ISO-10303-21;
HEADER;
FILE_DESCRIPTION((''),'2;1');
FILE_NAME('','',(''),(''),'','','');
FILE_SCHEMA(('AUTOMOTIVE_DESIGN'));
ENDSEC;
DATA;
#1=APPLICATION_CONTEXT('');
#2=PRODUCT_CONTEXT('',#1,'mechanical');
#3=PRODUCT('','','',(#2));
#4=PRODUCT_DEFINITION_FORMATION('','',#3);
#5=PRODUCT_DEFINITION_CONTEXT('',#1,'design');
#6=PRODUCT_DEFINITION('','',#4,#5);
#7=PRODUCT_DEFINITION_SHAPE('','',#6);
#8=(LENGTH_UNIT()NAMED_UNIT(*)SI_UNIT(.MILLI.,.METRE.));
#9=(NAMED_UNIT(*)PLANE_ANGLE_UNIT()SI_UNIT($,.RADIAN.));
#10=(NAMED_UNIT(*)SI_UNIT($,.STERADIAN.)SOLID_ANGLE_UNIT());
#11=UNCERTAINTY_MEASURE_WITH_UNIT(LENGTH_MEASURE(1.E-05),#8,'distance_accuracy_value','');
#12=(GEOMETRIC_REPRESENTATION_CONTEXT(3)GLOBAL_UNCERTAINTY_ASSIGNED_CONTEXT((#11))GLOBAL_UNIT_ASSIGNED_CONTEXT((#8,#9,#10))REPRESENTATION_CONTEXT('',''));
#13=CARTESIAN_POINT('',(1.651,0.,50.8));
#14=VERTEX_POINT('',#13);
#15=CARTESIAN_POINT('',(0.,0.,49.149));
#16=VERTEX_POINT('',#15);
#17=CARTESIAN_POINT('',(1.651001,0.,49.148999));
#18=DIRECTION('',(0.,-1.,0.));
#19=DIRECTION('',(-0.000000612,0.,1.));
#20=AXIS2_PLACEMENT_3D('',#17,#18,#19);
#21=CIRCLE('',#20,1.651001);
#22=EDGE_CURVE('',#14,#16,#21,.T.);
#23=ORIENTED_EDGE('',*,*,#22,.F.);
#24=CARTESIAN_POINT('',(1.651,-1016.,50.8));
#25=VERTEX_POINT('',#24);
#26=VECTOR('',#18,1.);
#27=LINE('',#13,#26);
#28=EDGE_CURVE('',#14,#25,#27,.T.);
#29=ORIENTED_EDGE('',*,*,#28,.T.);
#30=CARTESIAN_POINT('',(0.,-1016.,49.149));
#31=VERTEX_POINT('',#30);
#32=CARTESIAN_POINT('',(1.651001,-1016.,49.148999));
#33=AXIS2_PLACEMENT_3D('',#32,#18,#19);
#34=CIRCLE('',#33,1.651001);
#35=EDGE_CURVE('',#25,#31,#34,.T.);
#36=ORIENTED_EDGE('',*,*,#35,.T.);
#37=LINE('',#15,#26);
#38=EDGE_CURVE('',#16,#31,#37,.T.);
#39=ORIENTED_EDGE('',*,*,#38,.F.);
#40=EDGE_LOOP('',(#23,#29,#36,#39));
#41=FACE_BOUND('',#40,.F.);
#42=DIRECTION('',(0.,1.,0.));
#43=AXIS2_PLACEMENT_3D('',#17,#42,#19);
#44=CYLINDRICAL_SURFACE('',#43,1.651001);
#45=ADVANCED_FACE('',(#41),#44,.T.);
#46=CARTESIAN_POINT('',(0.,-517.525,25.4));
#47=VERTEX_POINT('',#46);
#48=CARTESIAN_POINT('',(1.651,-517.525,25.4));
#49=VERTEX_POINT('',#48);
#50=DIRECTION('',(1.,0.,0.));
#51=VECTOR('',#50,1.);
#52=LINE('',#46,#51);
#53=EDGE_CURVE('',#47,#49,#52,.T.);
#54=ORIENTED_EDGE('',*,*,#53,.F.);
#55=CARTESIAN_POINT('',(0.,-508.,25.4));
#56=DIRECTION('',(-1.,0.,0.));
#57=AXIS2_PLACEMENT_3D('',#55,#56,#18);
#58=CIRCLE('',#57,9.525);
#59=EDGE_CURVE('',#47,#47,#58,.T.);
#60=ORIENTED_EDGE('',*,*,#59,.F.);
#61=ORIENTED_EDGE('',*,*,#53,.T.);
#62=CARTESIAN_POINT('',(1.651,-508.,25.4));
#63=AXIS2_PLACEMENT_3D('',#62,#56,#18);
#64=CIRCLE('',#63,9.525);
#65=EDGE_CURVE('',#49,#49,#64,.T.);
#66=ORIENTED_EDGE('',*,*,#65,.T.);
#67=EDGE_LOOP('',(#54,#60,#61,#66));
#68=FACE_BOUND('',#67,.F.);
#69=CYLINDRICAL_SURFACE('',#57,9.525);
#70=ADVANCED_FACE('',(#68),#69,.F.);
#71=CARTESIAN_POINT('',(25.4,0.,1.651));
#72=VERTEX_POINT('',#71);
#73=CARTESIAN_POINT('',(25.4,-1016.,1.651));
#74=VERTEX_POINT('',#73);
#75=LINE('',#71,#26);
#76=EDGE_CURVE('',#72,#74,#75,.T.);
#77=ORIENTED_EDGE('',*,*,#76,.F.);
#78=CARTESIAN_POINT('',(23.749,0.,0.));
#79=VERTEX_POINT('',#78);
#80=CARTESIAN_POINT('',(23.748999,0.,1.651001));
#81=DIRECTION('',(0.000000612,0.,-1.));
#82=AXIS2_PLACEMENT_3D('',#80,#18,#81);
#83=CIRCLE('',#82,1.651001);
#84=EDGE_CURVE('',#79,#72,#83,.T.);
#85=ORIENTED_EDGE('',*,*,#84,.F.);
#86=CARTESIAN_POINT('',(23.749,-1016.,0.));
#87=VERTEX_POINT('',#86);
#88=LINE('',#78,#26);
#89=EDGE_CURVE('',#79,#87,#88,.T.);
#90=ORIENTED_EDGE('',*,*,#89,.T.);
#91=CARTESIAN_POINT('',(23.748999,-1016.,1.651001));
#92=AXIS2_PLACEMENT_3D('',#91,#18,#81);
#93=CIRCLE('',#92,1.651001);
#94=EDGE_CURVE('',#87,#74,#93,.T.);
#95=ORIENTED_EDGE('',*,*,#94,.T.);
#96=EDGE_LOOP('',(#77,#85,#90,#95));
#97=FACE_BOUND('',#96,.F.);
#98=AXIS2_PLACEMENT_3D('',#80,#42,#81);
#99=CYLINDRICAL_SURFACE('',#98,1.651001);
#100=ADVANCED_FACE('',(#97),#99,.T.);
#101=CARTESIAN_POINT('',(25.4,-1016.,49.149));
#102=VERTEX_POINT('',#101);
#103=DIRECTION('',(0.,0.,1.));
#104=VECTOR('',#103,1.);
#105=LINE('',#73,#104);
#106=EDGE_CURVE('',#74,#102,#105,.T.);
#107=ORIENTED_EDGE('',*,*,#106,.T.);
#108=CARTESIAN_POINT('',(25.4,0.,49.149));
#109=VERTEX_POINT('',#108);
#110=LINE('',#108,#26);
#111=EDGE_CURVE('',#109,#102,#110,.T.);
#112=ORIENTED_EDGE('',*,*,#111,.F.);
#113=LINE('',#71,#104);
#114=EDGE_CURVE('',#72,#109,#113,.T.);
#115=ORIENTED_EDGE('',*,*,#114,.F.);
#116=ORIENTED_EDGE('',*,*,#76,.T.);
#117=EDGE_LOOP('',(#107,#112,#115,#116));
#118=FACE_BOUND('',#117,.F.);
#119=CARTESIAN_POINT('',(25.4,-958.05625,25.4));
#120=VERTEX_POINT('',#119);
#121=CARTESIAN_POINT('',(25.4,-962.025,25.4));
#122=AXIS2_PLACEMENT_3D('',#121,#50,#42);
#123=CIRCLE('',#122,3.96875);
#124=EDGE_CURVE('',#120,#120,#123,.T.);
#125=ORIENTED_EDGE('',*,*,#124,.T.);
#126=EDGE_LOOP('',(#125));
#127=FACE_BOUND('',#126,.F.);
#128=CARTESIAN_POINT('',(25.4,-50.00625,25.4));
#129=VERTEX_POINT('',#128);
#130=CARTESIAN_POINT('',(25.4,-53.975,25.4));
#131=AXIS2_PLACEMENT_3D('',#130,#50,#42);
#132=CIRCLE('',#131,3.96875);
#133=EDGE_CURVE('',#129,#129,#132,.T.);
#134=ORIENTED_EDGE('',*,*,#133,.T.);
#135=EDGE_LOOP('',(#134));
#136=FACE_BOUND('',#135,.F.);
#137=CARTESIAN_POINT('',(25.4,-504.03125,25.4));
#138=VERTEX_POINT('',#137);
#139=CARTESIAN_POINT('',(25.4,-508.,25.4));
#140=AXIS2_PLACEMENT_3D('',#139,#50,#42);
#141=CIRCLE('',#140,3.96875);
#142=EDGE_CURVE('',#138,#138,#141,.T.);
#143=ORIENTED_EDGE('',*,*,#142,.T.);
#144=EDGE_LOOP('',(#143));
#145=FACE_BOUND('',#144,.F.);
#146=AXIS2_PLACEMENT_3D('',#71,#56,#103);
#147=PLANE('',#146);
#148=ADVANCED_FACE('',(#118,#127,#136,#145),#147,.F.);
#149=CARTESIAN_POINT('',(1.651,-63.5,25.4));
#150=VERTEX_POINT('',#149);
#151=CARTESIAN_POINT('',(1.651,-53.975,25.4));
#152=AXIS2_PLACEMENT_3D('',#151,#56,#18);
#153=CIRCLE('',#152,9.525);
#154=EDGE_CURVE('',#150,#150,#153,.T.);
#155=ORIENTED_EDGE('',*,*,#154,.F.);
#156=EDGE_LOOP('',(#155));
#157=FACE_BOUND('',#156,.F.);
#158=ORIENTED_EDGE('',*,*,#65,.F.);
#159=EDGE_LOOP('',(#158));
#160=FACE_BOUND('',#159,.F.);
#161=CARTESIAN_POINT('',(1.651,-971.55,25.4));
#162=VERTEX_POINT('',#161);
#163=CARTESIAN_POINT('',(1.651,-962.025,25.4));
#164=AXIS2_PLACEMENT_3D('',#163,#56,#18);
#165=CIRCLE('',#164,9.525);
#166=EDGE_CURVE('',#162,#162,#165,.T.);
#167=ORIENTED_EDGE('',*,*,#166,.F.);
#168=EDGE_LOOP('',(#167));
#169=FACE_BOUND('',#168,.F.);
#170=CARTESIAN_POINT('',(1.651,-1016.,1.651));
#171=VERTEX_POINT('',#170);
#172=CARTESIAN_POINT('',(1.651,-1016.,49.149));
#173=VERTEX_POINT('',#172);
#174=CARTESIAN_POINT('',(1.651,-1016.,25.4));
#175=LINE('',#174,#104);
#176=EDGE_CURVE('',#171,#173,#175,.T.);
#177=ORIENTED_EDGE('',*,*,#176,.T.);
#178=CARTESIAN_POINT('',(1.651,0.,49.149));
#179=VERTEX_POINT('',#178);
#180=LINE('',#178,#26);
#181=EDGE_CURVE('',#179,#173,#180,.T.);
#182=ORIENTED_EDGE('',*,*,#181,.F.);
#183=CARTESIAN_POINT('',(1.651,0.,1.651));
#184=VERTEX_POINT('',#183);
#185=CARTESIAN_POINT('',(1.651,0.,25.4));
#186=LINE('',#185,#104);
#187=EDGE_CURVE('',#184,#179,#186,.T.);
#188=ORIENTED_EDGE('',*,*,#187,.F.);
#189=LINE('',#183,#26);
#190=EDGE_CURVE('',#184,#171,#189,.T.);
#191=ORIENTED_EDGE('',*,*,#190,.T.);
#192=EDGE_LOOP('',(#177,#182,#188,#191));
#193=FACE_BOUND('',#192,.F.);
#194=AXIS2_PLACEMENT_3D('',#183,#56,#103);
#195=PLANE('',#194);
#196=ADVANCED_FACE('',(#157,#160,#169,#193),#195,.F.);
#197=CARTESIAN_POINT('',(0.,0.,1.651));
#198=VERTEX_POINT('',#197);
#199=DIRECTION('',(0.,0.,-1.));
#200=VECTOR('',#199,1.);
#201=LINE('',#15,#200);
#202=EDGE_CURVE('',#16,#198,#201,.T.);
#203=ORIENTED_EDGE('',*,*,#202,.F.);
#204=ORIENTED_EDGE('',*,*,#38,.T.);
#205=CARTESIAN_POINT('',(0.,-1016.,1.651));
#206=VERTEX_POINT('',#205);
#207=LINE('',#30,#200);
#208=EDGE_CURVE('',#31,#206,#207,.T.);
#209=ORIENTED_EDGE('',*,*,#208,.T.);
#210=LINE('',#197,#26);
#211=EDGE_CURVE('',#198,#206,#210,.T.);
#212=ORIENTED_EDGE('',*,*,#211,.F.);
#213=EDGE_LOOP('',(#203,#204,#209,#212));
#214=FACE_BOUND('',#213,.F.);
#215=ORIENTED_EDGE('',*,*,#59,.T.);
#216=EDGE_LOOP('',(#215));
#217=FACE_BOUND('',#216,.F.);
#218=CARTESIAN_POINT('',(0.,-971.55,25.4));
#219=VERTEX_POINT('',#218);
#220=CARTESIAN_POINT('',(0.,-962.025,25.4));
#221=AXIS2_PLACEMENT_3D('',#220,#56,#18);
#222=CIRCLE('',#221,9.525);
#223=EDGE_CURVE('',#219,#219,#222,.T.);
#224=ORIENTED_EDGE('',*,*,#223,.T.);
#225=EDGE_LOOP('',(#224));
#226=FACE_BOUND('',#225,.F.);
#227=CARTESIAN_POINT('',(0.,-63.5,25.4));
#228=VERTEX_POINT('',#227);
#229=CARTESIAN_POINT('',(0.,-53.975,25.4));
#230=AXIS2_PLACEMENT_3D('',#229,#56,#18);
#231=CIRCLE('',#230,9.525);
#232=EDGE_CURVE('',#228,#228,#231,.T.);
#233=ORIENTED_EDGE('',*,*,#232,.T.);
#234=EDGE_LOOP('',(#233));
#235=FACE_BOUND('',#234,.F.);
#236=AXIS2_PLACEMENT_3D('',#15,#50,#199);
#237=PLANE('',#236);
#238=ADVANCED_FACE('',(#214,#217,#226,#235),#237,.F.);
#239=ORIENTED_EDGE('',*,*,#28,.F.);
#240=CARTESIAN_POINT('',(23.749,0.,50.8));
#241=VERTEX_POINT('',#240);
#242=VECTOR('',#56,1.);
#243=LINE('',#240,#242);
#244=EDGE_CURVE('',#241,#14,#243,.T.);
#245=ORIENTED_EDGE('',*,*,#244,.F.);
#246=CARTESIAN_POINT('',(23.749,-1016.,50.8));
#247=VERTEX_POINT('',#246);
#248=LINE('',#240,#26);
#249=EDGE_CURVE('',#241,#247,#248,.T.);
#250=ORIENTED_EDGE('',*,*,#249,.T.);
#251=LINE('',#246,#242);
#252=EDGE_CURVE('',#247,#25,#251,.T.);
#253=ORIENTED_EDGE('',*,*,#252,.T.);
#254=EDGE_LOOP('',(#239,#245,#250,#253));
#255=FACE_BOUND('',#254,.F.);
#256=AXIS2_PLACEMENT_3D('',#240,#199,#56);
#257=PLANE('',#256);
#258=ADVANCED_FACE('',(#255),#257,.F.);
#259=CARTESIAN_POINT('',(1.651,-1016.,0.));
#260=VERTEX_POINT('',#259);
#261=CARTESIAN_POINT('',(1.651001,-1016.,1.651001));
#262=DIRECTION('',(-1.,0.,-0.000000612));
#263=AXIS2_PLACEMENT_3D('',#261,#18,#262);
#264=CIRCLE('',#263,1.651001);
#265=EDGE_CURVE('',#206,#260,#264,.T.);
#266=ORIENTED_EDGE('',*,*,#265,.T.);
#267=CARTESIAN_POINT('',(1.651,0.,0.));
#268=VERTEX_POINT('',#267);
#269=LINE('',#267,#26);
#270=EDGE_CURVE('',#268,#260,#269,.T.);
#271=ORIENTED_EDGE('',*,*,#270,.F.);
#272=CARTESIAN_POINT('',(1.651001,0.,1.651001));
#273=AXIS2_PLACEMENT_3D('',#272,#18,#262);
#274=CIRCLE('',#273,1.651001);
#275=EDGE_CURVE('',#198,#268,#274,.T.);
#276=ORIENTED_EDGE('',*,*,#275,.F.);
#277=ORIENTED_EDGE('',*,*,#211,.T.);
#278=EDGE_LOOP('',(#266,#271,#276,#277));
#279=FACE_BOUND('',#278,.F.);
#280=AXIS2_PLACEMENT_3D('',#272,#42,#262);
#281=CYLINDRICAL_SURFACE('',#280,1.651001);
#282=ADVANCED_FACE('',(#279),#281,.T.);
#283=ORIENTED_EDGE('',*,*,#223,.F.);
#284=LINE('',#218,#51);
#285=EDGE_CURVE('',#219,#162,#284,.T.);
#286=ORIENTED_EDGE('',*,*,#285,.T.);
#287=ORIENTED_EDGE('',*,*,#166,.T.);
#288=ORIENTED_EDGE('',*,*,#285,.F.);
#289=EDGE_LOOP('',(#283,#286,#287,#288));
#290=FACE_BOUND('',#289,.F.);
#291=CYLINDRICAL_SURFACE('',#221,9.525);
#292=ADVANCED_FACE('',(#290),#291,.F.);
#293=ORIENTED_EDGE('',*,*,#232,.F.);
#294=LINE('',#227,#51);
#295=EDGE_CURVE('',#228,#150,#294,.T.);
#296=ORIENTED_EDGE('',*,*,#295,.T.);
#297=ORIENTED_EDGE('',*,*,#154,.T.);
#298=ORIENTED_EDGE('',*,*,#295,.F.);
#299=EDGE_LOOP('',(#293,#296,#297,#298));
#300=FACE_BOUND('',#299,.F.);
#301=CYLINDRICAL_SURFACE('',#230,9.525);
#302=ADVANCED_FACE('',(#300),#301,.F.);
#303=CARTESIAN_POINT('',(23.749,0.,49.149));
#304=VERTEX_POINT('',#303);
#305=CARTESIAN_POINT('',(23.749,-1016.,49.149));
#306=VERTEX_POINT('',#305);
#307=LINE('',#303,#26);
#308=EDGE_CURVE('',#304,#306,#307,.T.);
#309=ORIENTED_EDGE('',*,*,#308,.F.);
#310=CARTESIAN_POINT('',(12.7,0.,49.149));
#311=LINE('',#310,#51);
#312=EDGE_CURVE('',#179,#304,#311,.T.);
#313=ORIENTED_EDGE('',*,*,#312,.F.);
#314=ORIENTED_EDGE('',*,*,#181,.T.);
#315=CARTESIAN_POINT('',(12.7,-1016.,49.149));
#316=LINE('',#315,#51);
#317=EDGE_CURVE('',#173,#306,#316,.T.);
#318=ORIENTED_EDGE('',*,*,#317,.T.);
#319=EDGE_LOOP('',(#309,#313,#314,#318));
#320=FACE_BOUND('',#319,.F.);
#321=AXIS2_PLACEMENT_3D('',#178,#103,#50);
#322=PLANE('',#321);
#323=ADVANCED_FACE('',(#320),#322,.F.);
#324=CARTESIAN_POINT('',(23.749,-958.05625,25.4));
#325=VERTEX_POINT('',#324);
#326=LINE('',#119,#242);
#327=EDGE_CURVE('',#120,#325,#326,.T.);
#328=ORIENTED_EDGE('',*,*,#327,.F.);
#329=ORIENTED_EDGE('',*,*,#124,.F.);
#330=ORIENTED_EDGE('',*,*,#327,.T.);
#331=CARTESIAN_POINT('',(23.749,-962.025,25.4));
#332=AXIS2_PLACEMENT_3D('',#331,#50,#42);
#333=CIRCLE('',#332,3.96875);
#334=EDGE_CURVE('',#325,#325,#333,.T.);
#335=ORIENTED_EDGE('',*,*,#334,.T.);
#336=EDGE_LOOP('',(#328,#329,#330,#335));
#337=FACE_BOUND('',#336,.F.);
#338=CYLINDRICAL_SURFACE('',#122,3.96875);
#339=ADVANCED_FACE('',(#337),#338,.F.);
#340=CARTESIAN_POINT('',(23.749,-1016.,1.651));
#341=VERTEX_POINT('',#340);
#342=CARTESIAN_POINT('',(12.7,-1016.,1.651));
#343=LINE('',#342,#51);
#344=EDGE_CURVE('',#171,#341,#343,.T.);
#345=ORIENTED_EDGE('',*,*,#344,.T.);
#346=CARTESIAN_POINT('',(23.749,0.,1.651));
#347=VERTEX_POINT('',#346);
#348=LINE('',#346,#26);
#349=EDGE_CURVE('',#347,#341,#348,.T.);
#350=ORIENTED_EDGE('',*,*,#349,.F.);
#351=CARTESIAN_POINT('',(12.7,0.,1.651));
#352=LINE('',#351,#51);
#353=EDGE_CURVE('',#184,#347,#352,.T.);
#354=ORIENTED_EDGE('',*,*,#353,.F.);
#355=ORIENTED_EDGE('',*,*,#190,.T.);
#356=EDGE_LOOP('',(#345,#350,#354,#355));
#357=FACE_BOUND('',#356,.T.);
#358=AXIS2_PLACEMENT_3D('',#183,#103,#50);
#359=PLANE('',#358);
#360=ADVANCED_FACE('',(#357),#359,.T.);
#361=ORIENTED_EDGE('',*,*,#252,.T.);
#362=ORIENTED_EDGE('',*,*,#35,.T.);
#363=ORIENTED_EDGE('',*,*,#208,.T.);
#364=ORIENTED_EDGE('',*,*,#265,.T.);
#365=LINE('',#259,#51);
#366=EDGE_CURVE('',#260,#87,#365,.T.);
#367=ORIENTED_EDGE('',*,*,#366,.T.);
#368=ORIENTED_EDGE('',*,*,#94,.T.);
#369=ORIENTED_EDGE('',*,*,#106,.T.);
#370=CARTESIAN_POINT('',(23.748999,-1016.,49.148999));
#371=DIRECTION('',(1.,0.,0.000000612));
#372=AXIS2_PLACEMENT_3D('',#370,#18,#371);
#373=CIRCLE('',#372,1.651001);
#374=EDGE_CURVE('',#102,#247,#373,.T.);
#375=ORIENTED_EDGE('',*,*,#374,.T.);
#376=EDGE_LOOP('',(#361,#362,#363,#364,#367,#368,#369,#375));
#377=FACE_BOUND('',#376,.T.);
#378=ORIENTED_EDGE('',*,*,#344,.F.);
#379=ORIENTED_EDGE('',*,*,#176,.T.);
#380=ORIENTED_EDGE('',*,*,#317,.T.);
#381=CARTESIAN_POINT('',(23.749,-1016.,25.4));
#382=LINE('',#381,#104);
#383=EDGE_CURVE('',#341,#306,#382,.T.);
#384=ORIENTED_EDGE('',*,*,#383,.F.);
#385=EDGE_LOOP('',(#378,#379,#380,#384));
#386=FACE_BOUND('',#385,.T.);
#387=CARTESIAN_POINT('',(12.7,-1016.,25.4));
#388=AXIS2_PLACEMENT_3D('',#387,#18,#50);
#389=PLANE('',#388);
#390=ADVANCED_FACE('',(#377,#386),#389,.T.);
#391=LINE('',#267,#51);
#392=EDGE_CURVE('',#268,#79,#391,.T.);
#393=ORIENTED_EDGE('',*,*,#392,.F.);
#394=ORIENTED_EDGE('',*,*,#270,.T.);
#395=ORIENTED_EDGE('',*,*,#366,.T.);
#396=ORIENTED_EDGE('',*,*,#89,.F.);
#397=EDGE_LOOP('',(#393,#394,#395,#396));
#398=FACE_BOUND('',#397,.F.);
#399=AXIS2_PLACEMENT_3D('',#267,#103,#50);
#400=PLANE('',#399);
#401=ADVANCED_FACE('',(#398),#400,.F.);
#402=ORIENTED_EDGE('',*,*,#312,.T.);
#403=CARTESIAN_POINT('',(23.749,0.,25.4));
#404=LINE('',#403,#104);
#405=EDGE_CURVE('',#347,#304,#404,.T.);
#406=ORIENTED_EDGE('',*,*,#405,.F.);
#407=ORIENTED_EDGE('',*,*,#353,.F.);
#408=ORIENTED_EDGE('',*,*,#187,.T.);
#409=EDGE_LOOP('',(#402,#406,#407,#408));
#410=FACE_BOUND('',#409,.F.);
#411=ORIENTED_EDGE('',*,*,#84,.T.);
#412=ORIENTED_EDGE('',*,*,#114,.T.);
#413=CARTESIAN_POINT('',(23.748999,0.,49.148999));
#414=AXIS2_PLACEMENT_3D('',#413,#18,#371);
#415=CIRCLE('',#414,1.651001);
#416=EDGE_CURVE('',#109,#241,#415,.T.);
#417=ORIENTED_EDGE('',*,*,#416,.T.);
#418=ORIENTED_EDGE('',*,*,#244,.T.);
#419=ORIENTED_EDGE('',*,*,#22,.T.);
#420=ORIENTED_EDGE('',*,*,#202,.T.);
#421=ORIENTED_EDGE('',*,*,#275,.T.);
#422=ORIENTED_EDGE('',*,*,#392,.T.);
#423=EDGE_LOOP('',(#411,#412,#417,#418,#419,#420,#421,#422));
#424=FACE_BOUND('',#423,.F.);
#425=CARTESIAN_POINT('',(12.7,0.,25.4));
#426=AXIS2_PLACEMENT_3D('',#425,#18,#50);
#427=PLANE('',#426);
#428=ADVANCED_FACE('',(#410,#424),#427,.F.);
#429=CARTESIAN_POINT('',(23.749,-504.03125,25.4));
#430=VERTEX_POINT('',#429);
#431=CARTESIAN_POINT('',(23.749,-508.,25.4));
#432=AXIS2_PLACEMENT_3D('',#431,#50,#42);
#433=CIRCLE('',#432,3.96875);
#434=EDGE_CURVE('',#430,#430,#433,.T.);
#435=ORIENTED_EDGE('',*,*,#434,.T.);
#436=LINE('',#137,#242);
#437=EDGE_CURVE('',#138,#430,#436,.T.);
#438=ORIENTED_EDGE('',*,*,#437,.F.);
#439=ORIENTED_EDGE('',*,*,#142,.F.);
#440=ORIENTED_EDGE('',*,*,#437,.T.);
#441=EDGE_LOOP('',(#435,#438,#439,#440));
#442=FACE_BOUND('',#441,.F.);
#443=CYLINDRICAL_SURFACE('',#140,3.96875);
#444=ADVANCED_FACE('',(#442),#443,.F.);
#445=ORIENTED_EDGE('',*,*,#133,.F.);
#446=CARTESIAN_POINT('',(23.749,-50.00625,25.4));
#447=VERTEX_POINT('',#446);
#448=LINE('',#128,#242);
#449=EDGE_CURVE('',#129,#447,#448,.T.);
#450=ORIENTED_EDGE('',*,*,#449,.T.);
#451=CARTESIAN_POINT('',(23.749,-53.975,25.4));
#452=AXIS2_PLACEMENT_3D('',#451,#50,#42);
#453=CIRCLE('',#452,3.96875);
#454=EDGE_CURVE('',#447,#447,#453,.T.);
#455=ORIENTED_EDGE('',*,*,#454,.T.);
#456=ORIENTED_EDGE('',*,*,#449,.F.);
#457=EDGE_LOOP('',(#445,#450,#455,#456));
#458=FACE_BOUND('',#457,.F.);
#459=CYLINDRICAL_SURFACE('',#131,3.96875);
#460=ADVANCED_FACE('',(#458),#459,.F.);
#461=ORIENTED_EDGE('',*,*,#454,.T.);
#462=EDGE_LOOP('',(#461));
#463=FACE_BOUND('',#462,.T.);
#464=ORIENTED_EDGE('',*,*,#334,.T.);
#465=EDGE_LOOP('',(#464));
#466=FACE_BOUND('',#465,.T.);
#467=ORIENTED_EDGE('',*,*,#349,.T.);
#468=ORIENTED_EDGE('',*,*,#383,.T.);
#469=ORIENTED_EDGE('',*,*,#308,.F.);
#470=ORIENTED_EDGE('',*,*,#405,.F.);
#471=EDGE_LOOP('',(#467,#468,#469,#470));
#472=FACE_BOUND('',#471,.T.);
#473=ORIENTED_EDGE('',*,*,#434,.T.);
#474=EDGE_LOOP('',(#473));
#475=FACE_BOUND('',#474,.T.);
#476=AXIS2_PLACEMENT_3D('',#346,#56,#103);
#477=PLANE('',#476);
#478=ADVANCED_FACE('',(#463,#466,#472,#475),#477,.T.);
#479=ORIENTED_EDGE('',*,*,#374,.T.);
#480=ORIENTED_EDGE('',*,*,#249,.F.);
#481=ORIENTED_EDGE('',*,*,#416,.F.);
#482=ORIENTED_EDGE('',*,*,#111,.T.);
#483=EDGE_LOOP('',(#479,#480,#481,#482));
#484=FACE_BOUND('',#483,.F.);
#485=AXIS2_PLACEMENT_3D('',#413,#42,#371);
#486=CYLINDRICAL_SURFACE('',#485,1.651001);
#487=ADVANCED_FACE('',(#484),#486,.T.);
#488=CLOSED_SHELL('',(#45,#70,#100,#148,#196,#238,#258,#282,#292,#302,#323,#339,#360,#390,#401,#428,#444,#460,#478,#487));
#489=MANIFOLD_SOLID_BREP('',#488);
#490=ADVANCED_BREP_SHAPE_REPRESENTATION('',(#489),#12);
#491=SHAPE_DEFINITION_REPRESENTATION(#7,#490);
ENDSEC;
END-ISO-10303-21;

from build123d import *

# Parameters (mm, degrees)
F0_W     = 22.098
F0_H     = 47.498
F1_DEPTH = 1016
F2_R     = 3.96875
F3_DEPTH = 1.651
F4_R     = 9.525
F5_DEPTH = 1.651


with BuildPart() as f1:
    # F0 (on Front) → F1 (new body)
    with BuildSketch(Plane.XZ):
        with BuildLine():
            ThreePointArc((0, 1.651), (0.483567, 0.483567), (1.651, 0))
            Line((1.651, 0), (23.749, 0))
            ThreePointArc((23.749, 0), (24.916433, 0.483567), (25.4, 1.651))
            Line((25.4, 1.651), (25.4, 49.149))
            ThreePointArc((25.4, 49.149), (24.916433, 50.316433), (23.749, 50.8))
            Line((23.749, 50.8), (1.651, 50.8))
            ThreePointArc((1.651, 50.8), (0.483567, 50.316433), (0, 49.149))
            Line((0, 49.149), (0, 1.651))
        make_face()
        with Locations((12.7, 25.4)):
            Rectangle(F0_W, F0_H, mode=Mode.SUBTRACT)
    extrude(amount=F1_DEPTH)

    # F2 (on face) → F3 (cut, through all)
    with BuildSketch(Plane.YZ.offset(25.4)):
        with Locations((-508, 25.4)):
            Circle(F2_R)
        with Locations((-53.975, 25.4)):
            Circle(F2_R)
        with Locations((-962.025, 25.4)):
            Circle(F2_R)
    extrude(amount=-F3_DEPTH, mode=Mode.SUBTRACT)

    # F4 (on face) → F5 (cut, through all)
    with BuildSketch(Plane(origin=(0, 0, 0), x_dir=(0, -1, 0), z_dir=(-1, 0, 0))):
        with Locations((508, 25.4)):
            Circle(F4_R)
        with Locations((53.975, 25.4)):
            Circle(F4_R)
        with Locations((962.025, 25.4)):
            Circle(F4_R)
    extrude(amount=-F5_DEPTH, mode=Mode.SUBTRACT)


solid = f1.part
